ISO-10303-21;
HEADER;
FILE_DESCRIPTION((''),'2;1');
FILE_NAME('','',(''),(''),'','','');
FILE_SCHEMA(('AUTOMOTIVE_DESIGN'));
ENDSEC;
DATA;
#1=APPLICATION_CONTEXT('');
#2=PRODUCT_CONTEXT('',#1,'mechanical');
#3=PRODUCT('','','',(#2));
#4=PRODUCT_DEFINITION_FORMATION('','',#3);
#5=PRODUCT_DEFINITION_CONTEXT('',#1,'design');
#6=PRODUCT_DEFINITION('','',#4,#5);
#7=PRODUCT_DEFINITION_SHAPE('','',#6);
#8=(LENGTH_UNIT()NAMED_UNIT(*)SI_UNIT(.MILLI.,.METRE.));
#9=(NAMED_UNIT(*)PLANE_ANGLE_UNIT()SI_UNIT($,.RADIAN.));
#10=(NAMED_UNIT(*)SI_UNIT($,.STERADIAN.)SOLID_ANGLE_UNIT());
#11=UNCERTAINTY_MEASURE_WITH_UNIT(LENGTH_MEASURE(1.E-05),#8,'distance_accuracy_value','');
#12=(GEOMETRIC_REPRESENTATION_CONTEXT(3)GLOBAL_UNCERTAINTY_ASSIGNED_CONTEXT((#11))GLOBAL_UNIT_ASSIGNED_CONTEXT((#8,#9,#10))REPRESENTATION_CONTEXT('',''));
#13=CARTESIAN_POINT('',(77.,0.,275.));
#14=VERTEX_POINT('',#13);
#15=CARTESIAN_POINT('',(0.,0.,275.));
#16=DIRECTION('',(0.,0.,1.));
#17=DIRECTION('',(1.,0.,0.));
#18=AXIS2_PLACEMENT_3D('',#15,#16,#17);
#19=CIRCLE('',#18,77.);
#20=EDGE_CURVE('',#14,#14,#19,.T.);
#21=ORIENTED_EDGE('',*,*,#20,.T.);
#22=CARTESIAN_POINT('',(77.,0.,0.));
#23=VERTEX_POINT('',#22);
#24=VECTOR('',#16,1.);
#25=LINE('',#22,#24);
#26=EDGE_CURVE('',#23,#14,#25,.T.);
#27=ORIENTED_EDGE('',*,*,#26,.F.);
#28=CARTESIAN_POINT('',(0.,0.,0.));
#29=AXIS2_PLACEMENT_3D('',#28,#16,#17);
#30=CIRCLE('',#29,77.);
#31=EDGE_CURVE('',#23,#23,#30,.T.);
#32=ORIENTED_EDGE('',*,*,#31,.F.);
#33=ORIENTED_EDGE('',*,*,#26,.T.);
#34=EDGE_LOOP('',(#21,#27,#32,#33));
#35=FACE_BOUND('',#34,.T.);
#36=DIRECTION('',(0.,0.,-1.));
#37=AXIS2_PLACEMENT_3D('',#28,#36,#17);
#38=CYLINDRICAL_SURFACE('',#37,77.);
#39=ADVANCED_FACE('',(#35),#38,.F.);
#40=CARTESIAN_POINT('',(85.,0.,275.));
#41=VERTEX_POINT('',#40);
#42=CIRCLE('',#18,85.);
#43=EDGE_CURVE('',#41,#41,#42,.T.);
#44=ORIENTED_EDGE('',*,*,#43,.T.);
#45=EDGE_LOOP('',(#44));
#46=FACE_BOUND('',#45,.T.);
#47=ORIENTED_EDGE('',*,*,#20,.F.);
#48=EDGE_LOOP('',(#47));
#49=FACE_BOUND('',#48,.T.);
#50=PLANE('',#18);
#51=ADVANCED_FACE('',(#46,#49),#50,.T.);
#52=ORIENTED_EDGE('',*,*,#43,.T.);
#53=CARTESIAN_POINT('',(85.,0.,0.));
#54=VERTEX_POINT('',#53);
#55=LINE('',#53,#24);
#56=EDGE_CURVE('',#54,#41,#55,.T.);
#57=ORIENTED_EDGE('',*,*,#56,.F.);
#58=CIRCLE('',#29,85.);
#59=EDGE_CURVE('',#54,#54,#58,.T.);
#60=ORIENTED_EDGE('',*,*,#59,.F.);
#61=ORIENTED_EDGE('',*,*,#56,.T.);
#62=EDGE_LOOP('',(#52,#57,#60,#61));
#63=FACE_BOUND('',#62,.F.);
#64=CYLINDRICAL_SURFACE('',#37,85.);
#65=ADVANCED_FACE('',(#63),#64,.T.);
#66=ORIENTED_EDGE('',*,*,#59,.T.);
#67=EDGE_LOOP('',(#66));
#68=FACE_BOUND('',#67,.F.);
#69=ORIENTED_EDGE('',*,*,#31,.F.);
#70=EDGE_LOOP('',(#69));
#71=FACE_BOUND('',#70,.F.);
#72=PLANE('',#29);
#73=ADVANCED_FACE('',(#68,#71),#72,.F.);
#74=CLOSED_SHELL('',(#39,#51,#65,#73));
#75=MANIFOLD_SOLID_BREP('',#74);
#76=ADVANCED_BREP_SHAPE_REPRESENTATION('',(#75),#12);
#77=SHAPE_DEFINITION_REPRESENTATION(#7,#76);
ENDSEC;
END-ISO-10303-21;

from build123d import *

# Parameters (mm, degrees)
F0_R     = 85
F0_R_2   = 77
F1_DEPTH = 315
F3_R     = 77
F3_R_2   = 85
F4_DEPTH = 40


with BuildPart() as f1:
    # F0 (on Top) → F1 (new body)
    with BuildSketch(Plane.XY):
        Circle(F0_R)
        Circle(F0_R_2, mode=Mode.SUBTRACT)
    extrude(amount=F1_DEPTH)

    # F3 (on face) → F4 (cut)
    with BuildSketch(Plane.XY.offset(315)):
        Circle(F3_R)
        Circle(F3_R_2)
        Circle(F3_R, mode=Mode.SUBTRACT)
    extrude(amount=-F4_DEPTH, mode=Mode.SUBTRACT)


solid = f1.part
